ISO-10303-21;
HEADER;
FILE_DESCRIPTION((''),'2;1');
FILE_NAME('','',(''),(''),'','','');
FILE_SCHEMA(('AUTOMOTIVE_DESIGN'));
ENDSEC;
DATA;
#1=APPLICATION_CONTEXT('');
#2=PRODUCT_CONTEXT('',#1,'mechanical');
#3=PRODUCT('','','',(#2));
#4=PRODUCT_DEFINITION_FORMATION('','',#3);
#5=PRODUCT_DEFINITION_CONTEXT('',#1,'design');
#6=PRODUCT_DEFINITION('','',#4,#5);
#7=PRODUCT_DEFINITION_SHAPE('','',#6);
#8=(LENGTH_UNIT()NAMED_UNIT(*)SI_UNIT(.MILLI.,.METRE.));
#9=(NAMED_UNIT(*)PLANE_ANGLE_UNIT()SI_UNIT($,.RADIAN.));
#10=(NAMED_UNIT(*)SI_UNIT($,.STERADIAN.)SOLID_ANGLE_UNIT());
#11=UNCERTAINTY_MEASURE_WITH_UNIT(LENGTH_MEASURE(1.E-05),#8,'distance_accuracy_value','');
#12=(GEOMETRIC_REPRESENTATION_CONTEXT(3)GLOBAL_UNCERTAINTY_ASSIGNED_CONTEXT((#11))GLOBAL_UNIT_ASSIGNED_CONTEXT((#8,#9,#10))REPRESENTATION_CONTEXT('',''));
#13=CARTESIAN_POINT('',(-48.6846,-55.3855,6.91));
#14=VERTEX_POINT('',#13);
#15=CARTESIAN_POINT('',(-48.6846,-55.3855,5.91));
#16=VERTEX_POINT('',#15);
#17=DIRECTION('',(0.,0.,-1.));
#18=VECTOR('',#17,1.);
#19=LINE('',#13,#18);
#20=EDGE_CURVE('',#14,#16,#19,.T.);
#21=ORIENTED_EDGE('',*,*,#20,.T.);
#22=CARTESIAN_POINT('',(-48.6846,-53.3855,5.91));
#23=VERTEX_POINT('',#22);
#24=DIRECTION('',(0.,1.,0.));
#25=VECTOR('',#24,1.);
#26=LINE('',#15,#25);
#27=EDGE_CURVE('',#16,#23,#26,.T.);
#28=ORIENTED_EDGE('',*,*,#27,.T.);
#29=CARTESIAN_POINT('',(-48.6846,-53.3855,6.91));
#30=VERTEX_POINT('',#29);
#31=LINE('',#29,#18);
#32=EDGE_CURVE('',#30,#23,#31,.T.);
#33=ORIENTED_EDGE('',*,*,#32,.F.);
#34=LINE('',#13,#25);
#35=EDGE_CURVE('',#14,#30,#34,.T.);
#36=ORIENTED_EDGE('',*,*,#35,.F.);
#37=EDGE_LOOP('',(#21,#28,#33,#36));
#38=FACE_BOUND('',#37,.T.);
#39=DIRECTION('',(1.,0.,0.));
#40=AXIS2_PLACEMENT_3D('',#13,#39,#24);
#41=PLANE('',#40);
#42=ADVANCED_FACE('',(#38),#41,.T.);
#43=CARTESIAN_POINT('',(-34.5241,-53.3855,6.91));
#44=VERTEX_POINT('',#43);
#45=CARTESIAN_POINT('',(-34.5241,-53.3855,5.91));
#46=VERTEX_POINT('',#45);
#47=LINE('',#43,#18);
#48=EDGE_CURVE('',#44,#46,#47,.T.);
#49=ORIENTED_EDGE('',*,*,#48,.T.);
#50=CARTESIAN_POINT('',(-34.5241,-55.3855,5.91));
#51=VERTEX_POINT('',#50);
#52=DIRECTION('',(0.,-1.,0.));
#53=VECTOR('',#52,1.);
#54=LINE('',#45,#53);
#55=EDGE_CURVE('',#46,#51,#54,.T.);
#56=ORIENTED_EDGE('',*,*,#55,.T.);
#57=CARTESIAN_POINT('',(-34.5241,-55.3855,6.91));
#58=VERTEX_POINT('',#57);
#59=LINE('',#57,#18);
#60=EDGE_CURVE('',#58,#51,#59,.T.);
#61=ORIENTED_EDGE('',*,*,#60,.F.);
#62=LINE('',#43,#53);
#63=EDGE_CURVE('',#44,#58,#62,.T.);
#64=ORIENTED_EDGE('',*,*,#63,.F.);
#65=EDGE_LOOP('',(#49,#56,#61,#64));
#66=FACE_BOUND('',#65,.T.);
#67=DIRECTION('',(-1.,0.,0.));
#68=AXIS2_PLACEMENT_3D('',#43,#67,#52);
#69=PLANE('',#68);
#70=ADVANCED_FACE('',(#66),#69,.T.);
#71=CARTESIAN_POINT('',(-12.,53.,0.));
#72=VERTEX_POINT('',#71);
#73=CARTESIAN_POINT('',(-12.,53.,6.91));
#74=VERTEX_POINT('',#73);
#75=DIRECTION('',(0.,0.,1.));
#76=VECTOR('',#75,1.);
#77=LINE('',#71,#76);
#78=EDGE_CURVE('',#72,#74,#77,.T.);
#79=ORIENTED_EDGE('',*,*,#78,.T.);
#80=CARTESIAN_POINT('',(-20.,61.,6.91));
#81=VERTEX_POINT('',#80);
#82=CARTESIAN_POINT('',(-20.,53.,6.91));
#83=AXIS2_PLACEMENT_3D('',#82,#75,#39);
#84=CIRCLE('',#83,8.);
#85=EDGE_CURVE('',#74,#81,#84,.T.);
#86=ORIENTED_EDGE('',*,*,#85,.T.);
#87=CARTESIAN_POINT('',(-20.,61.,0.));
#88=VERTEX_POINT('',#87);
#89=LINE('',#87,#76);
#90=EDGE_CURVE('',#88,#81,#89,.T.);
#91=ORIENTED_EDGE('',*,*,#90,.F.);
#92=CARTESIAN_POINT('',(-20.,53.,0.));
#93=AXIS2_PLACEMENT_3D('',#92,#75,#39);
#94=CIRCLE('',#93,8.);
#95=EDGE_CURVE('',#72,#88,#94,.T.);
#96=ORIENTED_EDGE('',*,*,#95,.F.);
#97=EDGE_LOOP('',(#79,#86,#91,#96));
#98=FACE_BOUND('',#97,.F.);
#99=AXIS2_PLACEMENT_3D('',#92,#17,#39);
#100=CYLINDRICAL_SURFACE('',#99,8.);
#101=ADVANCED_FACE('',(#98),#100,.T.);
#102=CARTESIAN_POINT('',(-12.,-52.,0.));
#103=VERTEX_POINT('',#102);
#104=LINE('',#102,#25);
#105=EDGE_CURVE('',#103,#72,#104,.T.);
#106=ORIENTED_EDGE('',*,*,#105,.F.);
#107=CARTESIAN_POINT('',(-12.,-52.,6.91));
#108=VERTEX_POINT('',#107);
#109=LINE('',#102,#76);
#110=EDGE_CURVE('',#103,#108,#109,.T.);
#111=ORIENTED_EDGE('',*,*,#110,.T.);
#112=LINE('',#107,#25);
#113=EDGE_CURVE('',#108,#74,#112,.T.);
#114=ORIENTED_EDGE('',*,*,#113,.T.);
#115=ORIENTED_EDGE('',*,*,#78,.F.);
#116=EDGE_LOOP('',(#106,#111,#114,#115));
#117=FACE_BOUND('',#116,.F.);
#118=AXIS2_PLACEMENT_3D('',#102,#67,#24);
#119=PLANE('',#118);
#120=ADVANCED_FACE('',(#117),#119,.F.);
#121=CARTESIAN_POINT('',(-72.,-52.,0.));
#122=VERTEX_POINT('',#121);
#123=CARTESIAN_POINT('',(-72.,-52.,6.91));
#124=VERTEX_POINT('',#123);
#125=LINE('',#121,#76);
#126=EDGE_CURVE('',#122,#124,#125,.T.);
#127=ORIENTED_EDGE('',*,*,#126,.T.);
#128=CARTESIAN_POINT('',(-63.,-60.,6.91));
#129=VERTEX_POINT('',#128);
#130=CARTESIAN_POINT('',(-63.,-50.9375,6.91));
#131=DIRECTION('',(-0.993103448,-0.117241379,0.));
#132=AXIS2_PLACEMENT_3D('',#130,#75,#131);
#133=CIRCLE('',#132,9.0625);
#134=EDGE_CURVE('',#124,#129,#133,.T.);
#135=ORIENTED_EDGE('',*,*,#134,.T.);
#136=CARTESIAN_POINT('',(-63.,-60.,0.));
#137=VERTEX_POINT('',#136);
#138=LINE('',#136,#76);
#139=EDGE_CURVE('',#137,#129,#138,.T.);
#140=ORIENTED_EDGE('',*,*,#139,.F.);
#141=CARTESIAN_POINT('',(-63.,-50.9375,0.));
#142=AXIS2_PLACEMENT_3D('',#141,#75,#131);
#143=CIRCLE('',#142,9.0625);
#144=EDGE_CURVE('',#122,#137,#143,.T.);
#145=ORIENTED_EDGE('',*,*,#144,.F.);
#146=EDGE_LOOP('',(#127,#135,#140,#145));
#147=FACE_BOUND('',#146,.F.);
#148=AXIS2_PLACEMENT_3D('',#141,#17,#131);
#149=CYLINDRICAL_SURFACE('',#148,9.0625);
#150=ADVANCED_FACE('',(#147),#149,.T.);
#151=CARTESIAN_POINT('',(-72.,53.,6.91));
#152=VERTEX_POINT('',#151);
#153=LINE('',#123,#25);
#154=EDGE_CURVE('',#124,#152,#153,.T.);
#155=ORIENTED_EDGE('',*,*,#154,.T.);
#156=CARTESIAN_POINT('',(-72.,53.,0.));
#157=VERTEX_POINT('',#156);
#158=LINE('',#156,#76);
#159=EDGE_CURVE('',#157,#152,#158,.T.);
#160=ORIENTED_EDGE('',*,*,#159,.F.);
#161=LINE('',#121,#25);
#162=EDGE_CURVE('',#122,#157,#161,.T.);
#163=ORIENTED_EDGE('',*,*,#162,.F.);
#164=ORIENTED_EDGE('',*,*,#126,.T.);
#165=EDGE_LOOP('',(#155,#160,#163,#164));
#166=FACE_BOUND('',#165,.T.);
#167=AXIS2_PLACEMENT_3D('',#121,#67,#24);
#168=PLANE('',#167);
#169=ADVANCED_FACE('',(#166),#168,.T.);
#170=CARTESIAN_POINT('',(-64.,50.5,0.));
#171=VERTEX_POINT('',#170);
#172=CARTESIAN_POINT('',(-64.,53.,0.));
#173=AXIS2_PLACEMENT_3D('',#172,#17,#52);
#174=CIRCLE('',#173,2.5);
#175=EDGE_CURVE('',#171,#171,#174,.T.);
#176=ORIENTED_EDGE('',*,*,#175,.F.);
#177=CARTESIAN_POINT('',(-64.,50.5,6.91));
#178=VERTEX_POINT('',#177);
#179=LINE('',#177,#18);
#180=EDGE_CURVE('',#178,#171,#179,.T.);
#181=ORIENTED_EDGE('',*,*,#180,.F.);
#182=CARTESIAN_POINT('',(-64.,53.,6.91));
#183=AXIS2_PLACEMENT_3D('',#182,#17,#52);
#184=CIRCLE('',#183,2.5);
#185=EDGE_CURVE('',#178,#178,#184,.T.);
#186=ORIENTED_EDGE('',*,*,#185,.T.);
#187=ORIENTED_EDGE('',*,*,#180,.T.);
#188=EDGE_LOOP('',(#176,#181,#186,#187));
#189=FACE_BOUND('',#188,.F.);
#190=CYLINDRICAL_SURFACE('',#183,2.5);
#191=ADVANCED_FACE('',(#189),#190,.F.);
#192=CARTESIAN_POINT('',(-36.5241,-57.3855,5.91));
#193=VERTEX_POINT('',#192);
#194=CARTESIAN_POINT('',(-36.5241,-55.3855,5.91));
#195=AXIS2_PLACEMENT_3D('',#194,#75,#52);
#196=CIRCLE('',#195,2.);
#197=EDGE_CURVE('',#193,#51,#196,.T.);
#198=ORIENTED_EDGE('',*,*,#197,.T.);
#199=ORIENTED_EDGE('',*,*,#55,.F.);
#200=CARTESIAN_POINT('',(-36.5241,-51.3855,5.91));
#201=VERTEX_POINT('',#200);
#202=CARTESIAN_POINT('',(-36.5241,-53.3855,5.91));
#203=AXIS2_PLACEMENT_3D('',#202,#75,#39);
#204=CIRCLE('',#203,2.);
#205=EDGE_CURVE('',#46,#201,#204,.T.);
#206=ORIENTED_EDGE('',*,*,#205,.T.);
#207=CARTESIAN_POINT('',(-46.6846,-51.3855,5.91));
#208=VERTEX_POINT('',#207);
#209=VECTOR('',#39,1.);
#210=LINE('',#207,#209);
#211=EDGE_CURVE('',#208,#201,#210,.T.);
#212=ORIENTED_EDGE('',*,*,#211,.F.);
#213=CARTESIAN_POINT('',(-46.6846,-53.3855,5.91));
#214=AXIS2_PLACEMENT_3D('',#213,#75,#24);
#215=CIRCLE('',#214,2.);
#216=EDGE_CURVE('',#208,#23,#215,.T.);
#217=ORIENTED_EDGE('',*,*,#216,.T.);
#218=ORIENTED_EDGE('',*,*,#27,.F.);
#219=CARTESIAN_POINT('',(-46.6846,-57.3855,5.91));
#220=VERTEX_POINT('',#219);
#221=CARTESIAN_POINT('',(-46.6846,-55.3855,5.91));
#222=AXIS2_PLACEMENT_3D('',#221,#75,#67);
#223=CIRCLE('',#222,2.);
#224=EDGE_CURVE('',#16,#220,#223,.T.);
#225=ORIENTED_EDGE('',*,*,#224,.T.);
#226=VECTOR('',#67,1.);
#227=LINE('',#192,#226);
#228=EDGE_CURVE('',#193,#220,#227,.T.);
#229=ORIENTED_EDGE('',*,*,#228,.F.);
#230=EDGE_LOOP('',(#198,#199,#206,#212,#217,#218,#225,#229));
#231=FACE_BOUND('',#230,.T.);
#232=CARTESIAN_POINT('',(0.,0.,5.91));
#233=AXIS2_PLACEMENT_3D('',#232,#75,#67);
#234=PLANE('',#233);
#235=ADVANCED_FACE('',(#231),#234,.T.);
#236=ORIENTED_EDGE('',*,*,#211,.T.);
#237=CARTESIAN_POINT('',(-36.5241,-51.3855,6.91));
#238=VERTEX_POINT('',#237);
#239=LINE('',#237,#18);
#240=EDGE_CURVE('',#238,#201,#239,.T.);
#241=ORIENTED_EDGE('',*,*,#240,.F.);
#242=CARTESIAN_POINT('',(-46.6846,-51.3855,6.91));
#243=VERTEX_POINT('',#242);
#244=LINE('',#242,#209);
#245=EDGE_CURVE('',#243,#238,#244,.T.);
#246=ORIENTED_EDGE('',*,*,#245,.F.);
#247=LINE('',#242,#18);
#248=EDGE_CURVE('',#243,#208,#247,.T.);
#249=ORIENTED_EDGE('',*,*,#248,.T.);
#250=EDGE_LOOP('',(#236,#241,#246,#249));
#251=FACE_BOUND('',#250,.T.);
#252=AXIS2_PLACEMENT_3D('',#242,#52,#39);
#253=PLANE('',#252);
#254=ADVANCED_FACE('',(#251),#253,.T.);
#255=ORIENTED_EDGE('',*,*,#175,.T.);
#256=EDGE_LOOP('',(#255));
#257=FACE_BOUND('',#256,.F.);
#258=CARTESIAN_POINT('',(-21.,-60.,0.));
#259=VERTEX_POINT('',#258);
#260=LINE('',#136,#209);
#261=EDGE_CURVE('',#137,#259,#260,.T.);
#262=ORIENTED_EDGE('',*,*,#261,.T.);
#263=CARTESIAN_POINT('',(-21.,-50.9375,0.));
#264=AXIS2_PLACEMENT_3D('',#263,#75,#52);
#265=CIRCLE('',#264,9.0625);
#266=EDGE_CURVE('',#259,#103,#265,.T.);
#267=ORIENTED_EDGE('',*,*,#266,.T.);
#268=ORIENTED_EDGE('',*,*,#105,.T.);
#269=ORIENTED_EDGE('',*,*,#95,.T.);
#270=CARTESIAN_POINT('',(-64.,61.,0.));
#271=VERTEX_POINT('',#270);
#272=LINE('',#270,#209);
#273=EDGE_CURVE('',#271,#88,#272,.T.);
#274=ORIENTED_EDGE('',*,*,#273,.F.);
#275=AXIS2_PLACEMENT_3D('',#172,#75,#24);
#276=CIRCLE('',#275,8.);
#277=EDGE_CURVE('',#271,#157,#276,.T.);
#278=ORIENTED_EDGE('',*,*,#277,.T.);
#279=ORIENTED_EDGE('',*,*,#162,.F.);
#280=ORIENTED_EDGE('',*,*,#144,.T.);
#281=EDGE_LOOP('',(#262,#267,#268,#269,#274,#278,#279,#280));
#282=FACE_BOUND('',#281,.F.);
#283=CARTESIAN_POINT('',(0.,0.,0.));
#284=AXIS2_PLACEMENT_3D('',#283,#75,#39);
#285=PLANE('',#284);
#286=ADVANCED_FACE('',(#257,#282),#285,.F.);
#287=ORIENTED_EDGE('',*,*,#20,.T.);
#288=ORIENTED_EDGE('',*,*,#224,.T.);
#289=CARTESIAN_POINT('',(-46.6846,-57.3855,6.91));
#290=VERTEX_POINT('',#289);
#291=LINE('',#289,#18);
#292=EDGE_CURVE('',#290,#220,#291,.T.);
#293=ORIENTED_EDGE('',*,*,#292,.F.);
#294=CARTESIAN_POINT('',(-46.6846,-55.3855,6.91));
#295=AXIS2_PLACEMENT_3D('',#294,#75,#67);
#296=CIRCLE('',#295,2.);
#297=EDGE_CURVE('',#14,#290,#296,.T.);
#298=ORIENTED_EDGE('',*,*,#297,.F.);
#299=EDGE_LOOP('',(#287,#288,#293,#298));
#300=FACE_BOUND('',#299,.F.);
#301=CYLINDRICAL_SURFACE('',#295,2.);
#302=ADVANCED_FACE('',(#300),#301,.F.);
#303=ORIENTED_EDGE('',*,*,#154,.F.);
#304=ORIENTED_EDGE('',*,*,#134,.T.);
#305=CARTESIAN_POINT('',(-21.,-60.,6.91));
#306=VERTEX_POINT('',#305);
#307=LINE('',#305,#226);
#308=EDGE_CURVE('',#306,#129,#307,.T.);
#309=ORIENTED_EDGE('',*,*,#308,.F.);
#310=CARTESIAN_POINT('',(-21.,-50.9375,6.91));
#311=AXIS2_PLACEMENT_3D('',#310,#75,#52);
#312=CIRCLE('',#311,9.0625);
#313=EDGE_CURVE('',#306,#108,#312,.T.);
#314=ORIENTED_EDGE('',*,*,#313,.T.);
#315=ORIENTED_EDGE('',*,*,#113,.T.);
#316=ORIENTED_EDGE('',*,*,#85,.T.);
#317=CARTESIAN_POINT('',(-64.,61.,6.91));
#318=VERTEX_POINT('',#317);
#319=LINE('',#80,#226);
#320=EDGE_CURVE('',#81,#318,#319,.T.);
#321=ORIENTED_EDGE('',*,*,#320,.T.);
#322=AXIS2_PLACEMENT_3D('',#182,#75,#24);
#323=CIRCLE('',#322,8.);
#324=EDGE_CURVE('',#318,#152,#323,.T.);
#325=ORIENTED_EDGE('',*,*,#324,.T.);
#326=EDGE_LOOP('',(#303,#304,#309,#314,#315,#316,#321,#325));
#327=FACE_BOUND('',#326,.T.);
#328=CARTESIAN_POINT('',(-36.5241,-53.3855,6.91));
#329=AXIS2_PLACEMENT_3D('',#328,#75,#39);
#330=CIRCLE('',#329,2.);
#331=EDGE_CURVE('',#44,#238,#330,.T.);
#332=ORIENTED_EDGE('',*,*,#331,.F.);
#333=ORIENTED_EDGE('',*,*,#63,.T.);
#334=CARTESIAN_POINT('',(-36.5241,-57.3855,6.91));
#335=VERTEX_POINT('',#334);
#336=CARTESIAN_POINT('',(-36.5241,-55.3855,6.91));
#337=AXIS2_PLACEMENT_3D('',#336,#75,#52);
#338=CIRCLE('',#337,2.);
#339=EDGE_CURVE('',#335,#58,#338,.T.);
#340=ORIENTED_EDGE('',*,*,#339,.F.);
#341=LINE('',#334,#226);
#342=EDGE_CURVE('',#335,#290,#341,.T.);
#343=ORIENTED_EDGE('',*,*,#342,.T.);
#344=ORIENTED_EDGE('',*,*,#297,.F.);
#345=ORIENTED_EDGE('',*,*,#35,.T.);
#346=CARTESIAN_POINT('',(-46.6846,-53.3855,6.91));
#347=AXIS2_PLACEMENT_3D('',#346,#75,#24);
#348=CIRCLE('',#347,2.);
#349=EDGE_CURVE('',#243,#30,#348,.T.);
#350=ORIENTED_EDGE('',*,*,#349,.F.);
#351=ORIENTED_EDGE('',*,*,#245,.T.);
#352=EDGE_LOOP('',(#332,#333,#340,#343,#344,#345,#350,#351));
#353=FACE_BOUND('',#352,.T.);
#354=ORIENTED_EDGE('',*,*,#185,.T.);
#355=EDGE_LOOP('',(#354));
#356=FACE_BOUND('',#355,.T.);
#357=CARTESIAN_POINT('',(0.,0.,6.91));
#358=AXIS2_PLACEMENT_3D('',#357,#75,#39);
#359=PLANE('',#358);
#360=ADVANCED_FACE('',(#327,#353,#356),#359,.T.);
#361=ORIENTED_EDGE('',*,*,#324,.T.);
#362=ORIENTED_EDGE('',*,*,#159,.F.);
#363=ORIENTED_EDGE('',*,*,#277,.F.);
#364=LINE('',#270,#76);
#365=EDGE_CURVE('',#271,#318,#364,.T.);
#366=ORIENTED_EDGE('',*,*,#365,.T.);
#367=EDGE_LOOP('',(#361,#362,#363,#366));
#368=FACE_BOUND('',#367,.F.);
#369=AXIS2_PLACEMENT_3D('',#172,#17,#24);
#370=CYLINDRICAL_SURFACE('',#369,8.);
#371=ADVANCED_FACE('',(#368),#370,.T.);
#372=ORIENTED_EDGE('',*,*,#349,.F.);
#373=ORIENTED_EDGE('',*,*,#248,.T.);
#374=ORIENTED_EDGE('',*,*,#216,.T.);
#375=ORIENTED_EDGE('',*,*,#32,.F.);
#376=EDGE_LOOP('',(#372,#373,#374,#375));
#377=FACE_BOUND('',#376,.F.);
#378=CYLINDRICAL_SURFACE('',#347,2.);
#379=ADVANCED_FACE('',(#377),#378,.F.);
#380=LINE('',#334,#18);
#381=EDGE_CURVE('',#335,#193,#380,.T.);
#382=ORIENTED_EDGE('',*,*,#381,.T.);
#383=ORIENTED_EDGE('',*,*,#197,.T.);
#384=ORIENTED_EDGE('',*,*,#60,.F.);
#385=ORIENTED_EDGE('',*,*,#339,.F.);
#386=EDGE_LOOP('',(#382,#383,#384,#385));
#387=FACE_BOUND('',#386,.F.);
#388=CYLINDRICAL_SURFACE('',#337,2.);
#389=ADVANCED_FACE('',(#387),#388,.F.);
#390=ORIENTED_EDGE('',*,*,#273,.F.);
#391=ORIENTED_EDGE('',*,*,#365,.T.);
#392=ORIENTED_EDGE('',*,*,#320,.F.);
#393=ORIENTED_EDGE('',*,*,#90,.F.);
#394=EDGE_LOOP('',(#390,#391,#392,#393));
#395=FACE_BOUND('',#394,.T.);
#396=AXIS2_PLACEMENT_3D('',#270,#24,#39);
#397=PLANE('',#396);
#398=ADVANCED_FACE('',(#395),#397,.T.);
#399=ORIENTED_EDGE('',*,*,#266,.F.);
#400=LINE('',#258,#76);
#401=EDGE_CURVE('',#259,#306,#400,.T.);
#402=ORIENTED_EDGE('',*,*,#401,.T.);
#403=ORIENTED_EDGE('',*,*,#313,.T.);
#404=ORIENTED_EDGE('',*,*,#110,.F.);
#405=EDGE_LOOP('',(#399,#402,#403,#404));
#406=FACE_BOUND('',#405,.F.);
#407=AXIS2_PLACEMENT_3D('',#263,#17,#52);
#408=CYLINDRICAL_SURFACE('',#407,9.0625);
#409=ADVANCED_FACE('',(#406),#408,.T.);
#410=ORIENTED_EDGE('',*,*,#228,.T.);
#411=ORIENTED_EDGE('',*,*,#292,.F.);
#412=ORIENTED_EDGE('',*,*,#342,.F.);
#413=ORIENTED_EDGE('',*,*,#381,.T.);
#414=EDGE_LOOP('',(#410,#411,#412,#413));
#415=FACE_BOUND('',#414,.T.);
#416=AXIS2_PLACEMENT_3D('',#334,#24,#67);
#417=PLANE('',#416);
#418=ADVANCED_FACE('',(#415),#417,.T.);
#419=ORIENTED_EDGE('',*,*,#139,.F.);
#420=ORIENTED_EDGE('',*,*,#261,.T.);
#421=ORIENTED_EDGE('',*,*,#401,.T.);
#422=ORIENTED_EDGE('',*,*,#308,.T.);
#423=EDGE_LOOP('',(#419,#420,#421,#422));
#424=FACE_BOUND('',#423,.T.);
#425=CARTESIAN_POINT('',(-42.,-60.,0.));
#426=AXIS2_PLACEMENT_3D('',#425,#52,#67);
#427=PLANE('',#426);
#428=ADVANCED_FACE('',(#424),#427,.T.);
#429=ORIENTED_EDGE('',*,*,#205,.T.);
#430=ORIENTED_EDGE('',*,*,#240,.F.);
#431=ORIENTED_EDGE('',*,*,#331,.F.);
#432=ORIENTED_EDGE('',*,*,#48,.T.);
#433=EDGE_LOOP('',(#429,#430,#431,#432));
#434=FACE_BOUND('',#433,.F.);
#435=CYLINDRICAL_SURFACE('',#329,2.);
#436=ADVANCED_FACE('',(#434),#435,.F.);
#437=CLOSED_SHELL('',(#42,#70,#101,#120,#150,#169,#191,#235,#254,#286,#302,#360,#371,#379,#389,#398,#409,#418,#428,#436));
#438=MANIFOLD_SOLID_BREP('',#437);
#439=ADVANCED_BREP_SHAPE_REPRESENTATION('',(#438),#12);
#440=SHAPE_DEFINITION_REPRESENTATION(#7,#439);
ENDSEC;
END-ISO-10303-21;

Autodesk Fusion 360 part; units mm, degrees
sketch "phone" plane through (0, 0, 0) normal (0, 0, 1) x (1, 0, 0)
  line L0 (-42, -60) -> (-21, -60)
  arc A0 (-21, -60) -> (-12, -52) centre (-21, -50.9375) ccw
  line L1 (-12, -52) -> (-12, 53)
  arc A1 (-12, 53) -> (-20, 61) centre (-20, 53) ccw
  line L2 (-20, 61) -> (-42, 61)
  line L3 (-64, 61) -> (-42, 61)
  arc A2 (-64, 61) -> (-72, 53) centre (-64, 53) ccw
  line L4 (-72, -52) -> (-72, 53)
  arc A3 (-72, -52) -> (-63, -60) centre (-63, -50.9375) ccw
  line L5 (-42, -60) -> (-63, -60)
extrude "Extrude1" add sketch "phone" along normal blind 6.91
hole "Hole1" at (-64, 53, 6.91) direction (0, 0, -1) diameter 5 depth 40 tip angle 118
sketch "button" plane through (0, 0, 6.91) normal (0, 0, 1) x (-1, 0, 0)
  circle A0 centre (64, -53) radius 2.5
  arc A1 (21, 60) -> (12, 52) centre (21, 50.9375) ccw
  line L0 (12, 52) -> (12, -53)
  arc A2 (12, -53) -> (20, -61) centre (20, -53) ccw
  line L1 (20, -61) -> (64, -61)
  arc A3 (64, -61) -> (72, -53) centre (64, -53) ccw
  line L2 (72, -53) -> (72, 52)
  arc A4 (72, 52) -> (63, 60) centre (63, 50.9375) ccw
  line L3 (63, 60) -> (21, 60)
  line L4 (46.6846, 51.3855) -> (36.5241, 51.3855)
  line L5 (34.5241, 53.3855) -> (34.5241, 55.3855)
  line L6 (36.5241, 57.3855) -> (46.6846, 57.3855)
  line L7 (48.6846, 55.3855) -> (48.6846, 53.3855)
  arc A5 (46.6846, 51.3855) -> (48.6846, 53.3855) centre (46.6846, 53.3855) ccw
  arc A6 (48.6846, 55.3855) -> (46.6846, 57.3855) centre (46.6846, 55.3855) ccw
  arc A7 (34.5241, 53.3855) -> (36.5241, 51.3855) centre (36.5241, 53.3855) ccw
  arc A8 (36.5241, 57.3855) -> (34.5241, 55.3855) centre (36.5241, 55.3855) ccw
  dimension "d6" = 2
extrude "Extrude2" cut sketch "button" against normal blind 1 contours L4 L5 L6 L7 A5 A6 A7 A8
